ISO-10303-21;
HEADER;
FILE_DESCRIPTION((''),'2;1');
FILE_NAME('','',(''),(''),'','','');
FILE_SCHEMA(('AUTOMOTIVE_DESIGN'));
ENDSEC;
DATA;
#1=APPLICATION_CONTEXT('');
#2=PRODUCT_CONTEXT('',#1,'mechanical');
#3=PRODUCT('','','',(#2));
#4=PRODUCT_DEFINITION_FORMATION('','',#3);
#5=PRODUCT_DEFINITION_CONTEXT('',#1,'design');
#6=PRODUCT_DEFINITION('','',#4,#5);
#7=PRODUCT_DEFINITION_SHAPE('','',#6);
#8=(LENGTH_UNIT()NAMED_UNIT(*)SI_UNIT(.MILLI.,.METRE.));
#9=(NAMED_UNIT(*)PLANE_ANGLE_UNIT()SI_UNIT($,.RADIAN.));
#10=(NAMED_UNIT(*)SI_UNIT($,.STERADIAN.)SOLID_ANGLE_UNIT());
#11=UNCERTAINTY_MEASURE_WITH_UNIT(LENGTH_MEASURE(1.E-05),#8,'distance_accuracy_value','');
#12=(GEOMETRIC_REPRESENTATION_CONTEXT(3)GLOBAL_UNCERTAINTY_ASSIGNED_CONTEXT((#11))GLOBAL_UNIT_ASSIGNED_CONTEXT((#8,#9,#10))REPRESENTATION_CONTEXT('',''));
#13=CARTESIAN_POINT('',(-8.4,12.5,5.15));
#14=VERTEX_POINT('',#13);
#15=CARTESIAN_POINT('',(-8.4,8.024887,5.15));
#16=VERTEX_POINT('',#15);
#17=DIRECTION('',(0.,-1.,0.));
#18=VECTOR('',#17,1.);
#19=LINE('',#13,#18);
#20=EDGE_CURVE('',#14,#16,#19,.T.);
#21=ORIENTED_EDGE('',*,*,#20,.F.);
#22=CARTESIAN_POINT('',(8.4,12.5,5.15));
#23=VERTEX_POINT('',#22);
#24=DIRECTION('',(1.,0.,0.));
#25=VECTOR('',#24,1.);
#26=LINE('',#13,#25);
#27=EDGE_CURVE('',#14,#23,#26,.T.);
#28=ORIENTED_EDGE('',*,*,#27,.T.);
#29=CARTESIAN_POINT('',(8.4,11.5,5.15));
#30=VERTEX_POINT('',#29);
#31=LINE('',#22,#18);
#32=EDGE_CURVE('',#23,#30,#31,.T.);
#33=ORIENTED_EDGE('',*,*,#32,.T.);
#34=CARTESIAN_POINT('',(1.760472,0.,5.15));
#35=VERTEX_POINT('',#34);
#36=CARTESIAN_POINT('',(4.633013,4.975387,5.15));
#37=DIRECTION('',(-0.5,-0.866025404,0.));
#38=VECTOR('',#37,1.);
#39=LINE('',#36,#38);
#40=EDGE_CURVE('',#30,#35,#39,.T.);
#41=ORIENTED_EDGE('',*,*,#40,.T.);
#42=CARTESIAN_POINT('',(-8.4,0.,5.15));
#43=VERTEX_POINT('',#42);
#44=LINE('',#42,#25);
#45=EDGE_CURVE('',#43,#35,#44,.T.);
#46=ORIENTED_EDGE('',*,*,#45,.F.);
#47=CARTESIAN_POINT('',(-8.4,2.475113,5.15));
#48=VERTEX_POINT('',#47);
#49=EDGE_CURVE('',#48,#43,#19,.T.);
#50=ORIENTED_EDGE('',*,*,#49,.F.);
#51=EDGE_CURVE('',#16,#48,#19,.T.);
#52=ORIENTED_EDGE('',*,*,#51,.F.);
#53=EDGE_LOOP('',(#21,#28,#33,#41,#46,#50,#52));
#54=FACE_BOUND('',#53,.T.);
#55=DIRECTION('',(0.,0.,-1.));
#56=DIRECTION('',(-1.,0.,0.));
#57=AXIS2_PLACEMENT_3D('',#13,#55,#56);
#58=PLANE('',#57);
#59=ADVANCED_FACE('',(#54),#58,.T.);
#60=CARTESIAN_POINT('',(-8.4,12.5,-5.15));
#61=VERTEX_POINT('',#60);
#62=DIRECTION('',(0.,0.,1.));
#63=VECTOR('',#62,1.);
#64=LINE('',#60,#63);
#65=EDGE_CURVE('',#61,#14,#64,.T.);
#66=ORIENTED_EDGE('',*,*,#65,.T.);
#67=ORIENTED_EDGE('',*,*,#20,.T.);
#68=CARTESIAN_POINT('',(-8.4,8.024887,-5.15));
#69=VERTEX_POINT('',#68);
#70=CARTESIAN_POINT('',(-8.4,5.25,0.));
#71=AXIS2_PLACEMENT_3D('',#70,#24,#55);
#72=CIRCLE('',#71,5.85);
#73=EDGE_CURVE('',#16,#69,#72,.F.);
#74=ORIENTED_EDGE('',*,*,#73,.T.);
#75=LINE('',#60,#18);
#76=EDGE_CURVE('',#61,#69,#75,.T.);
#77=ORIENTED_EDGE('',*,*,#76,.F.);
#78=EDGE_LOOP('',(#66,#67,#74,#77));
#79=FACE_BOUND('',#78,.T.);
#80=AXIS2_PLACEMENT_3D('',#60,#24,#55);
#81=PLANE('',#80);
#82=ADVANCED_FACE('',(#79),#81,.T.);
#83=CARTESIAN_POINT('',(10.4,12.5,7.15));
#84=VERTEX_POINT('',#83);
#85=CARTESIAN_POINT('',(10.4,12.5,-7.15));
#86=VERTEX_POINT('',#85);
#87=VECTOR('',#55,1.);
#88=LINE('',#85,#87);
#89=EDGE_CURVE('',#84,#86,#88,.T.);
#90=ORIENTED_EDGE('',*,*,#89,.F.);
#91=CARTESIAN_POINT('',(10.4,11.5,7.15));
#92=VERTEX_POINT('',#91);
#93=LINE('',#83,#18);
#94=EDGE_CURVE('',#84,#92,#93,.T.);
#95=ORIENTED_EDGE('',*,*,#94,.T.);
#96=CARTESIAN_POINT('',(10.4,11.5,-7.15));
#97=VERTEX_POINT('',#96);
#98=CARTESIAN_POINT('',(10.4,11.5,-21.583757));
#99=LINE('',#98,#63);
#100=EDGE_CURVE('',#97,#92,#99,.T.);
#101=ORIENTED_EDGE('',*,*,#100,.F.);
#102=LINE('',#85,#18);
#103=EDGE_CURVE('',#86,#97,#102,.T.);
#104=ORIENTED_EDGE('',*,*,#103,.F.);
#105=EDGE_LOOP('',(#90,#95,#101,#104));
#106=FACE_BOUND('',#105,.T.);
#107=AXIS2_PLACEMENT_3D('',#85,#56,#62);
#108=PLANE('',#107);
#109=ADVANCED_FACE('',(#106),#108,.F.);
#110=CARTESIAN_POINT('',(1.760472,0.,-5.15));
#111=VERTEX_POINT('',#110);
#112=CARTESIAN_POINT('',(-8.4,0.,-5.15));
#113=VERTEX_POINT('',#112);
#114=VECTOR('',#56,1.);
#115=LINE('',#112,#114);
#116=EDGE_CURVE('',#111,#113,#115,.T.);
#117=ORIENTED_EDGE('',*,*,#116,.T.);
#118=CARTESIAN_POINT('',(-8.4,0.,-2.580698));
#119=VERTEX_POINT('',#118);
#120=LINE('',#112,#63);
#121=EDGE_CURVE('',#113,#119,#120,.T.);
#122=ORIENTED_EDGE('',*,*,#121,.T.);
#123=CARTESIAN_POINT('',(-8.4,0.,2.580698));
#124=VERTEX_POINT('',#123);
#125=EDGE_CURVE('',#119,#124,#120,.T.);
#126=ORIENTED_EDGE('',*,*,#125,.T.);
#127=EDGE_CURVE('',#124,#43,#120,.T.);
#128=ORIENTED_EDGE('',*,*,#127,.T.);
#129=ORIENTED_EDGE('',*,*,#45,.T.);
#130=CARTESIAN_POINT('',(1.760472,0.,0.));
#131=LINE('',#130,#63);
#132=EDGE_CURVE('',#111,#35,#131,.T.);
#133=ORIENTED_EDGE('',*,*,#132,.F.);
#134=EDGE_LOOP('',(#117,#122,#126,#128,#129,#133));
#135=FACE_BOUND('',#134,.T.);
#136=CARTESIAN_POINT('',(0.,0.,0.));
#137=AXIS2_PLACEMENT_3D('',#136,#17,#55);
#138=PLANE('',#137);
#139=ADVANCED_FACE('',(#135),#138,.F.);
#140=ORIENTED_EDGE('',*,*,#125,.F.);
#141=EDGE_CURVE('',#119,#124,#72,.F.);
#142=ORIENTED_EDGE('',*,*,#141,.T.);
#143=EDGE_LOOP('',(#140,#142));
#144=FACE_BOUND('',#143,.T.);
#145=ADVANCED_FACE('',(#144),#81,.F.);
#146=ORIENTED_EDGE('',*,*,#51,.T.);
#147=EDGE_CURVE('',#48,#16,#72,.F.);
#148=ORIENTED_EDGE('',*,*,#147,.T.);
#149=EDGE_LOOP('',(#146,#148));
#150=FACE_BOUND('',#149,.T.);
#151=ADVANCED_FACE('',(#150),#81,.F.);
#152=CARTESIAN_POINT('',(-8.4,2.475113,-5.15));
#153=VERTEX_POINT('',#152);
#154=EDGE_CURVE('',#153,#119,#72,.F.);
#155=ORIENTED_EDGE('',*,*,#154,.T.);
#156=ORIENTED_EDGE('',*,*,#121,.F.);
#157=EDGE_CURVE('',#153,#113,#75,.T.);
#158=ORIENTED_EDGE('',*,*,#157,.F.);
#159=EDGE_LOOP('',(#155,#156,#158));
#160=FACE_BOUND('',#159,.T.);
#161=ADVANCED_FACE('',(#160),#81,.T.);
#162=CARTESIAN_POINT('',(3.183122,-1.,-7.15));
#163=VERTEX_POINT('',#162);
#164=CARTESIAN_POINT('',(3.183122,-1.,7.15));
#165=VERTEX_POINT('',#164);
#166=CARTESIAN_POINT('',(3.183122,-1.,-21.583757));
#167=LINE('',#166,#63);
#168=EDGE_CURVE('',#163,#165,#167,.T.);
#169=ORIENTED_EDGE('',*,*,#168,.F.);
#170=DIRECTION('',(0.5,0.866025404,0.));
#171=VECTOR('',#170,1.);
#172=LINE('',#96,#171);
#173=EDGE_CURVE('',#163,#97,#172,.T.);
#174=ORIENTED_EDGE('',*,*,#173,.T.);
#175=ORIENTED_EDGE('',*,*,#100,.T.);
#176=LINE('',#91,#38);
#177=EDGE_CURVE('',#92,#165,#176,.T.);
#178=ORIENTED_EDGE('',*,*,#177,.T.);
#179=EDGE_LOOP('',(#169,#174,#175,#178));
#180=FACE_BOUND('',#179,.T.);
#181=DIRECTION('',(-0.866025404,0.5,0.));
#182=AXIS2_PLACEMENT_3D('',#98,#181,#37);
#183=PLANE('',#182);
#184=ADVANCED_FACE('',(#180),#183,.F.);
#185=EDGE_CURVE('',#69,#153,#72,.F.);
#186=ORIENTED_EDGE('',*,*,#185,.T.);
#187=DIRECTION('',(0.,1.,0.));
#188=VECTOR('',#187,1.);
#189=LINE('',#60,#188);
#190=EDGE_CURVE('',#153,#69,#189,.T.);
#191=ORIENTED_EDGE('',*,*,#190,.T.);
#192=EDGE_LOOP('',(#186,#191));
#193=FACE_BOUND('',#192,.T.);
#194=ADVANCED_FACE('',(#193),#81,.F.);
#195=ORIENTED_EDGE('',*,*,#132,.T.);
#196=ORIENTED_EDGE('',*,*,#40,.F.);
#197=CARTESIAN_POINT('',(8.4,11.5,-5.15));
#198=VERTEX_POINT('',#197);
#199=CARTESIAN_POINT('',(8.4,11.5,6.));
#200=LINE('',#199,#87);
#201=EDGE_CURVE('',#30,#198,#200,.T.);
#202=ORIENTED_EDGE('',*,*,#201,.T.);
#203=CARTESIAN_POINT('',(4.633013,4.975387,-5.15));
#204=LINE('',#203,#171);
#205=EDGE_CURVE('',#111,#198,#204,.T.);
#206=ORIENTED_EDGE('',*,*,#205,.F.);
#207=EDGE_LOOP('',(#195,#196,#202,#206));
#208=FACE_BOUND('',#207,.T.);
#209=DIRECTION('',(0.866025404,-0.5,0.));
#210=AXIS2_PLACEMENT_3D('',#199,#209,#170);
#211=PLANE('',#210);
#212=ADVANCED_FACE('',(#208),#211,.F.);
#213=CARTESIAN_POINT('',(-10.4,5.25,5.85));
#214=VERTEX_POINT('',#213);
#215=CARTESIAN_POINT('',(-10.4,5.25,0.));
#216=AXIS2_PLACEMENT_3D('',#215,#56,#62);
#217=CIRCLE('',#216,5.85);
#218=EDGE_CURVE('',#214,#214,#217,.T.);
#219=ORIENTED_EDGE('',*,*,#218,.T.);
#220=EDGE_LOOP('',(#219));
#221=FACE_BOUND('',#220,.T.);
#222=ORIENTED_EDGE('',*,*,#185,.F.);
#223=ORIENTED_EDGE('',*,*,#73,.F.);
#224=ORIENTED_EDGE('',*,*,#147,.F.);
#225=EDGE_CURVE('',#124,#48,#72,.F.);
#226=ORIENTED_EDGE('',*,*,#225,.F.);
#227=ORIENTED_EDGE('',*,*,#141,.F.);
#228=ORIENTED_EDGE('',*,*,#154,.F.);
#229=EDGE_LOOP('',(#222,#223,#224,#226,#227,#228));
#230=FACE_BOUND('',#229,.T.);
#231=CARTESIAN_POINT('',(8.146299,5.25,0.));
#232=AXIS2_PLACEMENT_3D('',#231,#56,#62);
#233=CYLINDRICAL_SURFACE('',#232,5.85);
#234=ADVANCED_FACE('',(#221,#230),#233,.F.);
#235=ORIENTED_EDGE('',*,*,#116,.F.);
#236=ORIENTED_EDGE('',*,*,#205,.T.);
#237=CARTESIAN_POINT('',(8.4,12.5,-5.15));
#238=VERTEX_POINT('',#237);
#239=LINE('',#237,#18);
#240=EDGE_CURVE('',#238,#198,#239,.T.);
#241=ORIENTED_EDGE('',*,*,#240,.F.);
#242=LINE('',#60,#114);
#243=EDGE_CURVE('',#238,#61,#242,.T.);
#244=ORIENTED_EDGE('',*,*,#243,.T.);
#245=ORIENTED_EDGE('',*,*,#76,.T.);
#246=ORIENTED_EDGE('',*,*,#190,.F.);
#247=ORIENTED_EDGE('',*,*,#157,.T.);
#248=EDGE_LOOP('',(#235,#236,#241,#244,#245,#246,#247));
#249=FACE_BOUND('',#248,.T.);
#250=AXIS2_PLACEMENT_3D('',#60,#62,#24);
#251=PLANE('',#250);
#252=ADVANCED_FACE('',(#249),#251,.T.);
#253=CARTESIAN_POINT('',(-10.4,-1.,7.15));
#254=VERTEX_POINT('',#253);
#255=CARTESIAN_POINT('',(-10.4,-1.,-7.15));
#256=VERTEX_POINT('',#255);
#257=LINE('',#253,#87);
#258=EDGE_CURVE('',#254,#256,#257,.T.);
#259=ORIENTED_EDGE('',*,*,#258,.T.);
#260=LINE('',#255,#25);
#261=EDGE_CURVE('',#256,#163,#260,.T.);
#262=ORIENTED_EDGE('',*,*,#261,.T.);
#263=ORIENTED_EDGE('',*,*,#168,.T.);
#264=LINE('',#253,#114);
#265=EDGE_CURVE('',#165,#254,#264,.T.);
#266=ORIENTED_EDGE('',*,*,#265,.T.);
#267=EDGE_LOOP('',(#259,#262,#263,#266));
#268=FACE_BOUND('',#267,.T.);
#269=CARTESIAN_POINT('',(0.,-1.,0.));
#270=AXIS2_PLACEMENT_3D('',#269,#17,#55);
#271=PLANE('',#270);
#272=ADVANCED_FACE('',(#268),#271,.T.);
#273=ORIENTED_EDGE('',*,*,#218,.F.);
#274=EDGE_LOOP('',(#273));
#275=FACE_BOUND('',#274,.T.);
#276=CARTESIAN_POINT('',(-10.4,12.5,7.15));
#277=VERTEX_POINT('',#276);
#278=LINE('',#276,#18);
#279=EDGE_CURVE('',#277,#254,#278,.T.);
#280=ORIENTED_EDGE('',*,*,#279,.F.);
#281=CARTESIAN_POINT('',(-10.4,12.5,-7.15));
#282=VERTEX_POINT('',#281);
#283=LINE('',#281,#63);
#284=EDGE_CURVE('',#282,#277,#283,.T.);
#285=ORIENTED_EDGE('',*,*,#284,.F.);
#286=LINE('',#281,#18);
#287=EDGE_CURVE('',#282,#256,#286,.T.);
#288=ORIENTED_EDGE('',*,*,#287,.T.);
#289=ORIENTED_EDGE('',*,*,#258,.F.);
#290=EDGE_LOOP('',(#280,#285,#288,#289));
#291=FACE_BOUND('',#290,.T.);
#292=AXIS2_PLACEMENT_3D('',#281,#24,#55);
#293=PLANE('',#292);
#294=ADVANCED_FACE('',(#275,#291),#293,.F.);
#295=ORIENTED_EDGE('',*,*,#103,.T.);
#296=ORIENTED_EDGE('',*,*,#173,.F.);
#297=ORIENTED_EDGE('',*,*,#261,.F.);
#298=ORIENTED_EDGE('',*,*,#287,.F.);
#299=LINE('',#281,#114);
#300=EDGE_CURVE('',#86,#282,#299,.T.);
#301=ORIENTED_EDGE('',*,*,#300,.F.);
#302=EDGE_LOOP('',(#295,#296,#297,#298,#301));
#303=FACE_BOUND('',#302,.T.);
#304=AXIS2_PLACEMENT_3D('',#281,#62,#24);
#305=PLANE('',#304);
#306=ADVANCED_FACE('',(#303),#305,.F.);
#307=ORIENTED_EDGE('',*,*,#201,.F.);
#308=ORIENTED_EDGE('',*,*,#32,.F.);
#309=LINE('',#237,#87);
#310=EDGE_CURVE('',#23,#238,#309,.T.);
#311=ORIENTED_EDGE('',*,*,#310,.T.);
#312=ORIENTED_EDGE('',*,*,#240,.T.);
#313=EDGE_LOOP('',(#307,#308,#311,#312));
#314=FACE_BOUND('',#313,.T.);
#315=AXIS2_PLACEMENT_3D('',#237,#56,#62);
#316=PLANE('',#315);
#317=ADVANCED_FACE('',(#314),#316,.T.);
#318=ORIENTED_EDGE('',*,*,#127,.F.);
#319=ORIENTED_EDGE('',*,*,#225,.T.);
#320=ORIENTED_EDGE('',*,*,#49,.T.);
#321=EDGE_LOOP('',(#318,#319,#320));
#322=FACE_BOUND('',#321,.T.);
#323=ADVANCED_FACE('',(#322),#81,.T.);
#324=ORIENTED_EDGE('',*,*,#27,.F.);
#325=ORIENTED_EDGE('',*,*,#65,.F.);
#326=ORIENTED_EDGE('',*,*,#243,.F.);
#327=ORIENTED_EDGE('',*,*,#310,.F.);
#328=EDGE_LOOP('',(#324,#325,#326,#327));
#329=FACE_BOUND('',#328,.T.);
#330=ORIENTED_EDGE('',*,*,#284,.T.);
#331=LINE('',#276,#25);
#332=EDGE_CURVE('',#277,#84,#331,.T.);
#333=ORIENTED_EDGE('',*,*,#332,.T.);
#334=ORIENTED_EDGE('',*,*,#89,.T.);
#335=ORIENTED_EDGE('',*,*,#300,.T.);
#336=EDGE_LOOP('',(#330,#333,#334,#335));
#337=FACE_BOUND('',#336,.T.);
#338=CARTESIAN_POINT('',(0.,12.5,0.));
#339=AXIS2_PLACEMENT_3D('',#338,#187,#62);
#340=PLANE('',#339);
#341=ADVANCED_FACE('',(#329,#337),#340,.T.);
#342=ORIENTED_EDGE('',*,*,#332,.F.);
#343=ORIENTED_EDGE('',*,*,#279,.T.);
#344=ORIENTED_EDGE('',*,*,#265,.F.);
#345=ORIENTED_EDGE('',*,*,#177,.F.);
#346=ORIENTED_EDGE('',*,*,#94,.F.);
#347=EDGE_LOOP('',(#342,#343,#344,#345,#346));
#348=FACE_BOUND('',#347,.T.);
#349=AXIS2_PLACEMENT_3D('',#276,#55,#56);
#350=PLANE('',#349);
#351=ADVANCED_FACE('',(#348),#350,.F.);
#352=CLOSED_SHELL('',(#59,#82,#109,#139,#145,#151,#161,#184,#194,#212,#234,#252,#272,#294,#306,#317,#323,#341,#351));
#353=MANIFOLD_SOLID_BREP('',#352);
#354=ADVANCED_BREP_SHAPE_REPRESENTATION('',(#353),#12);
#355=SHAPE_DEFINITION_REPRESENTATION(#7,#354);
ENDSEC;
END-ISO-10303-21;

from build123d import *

# Parameters (mm, degrees)
SKETCH1_W           = 20.8
SKETCH1_H           = 14.3
SKETCH1_W_2         = 16.8
SKETCH1_H_2         = 10.3
BOSS_EXTRUDE1_DEPTH = 12.5
SKETCH2_W           = 20.8
SKETCH2_H           = 14.3
BOSS_EXTRUDE2_DEPTH = 1
SKETCH3_R           = 5.85
CUT_EXTRUDE2_DEPTH  = 2
BOSS_EXTRUDE3_DEPTH = 6
CUT_EXTRUDE3_DEPTH  = 14.3


with BuildPart() as part:
    # Sketch1 → Boss-Extrude1 (new body)
    with BuildSketch(Plane(origin=(0, 0, 0), x_dir=(1, 0, 0), z_dir=(0, 1, 0))):
        Rectangle(SKETCH1_W, SKETCH1_H)
        Rectangle(SKETCH1_W_2, SKETCH1_H_2, mode=Mode.SUBTRACT)
    extrude(amount=BOSS_EXTRUDE1_DEPTH)

    # Sketch2 → Boss-Extrude2 (add)
    with BuildSketch(Plane.XZ):
        Rectangle(SKETCH2_W, SKETCH2_H)
    extrude(amount=BOSS_EXTRUDE2_DEPTH)

    # Sketch3 → Cut-Extrude2 (cut)
    with BuildSketch(Plane.ZY.offset(10.4)):
        with Locations((0, 5.25)):
            Circle(SKETCH3_R)
    extrude(amount=-CUT_EXTRUDE2_DEPTH, mode=Mode.SUBTRACT)

    # Sketch4 → Boss-Extrude3 (add, symmetric)
    with BuildSketch(Plane.XY):
        Polygon((8.4, 11.5), (1.760471904, 0), (8.4, 0), align=None)
    extrude(amount=BOSS_EXTRUDE3_DEPTH, both=True)

    # Sketch5 → Cut-Extrude3 (cut)
    with BuildSketch(Plane.XY.offset(7.15)):
        Polygon((10.4, -1), (10.4, 11.5), (3.183121635, -1), align=None)
    extrude(amount=-CUT_EXTRUDE3_DEPTH, mode=Mode.SUBTRACT)


solid = part.part
